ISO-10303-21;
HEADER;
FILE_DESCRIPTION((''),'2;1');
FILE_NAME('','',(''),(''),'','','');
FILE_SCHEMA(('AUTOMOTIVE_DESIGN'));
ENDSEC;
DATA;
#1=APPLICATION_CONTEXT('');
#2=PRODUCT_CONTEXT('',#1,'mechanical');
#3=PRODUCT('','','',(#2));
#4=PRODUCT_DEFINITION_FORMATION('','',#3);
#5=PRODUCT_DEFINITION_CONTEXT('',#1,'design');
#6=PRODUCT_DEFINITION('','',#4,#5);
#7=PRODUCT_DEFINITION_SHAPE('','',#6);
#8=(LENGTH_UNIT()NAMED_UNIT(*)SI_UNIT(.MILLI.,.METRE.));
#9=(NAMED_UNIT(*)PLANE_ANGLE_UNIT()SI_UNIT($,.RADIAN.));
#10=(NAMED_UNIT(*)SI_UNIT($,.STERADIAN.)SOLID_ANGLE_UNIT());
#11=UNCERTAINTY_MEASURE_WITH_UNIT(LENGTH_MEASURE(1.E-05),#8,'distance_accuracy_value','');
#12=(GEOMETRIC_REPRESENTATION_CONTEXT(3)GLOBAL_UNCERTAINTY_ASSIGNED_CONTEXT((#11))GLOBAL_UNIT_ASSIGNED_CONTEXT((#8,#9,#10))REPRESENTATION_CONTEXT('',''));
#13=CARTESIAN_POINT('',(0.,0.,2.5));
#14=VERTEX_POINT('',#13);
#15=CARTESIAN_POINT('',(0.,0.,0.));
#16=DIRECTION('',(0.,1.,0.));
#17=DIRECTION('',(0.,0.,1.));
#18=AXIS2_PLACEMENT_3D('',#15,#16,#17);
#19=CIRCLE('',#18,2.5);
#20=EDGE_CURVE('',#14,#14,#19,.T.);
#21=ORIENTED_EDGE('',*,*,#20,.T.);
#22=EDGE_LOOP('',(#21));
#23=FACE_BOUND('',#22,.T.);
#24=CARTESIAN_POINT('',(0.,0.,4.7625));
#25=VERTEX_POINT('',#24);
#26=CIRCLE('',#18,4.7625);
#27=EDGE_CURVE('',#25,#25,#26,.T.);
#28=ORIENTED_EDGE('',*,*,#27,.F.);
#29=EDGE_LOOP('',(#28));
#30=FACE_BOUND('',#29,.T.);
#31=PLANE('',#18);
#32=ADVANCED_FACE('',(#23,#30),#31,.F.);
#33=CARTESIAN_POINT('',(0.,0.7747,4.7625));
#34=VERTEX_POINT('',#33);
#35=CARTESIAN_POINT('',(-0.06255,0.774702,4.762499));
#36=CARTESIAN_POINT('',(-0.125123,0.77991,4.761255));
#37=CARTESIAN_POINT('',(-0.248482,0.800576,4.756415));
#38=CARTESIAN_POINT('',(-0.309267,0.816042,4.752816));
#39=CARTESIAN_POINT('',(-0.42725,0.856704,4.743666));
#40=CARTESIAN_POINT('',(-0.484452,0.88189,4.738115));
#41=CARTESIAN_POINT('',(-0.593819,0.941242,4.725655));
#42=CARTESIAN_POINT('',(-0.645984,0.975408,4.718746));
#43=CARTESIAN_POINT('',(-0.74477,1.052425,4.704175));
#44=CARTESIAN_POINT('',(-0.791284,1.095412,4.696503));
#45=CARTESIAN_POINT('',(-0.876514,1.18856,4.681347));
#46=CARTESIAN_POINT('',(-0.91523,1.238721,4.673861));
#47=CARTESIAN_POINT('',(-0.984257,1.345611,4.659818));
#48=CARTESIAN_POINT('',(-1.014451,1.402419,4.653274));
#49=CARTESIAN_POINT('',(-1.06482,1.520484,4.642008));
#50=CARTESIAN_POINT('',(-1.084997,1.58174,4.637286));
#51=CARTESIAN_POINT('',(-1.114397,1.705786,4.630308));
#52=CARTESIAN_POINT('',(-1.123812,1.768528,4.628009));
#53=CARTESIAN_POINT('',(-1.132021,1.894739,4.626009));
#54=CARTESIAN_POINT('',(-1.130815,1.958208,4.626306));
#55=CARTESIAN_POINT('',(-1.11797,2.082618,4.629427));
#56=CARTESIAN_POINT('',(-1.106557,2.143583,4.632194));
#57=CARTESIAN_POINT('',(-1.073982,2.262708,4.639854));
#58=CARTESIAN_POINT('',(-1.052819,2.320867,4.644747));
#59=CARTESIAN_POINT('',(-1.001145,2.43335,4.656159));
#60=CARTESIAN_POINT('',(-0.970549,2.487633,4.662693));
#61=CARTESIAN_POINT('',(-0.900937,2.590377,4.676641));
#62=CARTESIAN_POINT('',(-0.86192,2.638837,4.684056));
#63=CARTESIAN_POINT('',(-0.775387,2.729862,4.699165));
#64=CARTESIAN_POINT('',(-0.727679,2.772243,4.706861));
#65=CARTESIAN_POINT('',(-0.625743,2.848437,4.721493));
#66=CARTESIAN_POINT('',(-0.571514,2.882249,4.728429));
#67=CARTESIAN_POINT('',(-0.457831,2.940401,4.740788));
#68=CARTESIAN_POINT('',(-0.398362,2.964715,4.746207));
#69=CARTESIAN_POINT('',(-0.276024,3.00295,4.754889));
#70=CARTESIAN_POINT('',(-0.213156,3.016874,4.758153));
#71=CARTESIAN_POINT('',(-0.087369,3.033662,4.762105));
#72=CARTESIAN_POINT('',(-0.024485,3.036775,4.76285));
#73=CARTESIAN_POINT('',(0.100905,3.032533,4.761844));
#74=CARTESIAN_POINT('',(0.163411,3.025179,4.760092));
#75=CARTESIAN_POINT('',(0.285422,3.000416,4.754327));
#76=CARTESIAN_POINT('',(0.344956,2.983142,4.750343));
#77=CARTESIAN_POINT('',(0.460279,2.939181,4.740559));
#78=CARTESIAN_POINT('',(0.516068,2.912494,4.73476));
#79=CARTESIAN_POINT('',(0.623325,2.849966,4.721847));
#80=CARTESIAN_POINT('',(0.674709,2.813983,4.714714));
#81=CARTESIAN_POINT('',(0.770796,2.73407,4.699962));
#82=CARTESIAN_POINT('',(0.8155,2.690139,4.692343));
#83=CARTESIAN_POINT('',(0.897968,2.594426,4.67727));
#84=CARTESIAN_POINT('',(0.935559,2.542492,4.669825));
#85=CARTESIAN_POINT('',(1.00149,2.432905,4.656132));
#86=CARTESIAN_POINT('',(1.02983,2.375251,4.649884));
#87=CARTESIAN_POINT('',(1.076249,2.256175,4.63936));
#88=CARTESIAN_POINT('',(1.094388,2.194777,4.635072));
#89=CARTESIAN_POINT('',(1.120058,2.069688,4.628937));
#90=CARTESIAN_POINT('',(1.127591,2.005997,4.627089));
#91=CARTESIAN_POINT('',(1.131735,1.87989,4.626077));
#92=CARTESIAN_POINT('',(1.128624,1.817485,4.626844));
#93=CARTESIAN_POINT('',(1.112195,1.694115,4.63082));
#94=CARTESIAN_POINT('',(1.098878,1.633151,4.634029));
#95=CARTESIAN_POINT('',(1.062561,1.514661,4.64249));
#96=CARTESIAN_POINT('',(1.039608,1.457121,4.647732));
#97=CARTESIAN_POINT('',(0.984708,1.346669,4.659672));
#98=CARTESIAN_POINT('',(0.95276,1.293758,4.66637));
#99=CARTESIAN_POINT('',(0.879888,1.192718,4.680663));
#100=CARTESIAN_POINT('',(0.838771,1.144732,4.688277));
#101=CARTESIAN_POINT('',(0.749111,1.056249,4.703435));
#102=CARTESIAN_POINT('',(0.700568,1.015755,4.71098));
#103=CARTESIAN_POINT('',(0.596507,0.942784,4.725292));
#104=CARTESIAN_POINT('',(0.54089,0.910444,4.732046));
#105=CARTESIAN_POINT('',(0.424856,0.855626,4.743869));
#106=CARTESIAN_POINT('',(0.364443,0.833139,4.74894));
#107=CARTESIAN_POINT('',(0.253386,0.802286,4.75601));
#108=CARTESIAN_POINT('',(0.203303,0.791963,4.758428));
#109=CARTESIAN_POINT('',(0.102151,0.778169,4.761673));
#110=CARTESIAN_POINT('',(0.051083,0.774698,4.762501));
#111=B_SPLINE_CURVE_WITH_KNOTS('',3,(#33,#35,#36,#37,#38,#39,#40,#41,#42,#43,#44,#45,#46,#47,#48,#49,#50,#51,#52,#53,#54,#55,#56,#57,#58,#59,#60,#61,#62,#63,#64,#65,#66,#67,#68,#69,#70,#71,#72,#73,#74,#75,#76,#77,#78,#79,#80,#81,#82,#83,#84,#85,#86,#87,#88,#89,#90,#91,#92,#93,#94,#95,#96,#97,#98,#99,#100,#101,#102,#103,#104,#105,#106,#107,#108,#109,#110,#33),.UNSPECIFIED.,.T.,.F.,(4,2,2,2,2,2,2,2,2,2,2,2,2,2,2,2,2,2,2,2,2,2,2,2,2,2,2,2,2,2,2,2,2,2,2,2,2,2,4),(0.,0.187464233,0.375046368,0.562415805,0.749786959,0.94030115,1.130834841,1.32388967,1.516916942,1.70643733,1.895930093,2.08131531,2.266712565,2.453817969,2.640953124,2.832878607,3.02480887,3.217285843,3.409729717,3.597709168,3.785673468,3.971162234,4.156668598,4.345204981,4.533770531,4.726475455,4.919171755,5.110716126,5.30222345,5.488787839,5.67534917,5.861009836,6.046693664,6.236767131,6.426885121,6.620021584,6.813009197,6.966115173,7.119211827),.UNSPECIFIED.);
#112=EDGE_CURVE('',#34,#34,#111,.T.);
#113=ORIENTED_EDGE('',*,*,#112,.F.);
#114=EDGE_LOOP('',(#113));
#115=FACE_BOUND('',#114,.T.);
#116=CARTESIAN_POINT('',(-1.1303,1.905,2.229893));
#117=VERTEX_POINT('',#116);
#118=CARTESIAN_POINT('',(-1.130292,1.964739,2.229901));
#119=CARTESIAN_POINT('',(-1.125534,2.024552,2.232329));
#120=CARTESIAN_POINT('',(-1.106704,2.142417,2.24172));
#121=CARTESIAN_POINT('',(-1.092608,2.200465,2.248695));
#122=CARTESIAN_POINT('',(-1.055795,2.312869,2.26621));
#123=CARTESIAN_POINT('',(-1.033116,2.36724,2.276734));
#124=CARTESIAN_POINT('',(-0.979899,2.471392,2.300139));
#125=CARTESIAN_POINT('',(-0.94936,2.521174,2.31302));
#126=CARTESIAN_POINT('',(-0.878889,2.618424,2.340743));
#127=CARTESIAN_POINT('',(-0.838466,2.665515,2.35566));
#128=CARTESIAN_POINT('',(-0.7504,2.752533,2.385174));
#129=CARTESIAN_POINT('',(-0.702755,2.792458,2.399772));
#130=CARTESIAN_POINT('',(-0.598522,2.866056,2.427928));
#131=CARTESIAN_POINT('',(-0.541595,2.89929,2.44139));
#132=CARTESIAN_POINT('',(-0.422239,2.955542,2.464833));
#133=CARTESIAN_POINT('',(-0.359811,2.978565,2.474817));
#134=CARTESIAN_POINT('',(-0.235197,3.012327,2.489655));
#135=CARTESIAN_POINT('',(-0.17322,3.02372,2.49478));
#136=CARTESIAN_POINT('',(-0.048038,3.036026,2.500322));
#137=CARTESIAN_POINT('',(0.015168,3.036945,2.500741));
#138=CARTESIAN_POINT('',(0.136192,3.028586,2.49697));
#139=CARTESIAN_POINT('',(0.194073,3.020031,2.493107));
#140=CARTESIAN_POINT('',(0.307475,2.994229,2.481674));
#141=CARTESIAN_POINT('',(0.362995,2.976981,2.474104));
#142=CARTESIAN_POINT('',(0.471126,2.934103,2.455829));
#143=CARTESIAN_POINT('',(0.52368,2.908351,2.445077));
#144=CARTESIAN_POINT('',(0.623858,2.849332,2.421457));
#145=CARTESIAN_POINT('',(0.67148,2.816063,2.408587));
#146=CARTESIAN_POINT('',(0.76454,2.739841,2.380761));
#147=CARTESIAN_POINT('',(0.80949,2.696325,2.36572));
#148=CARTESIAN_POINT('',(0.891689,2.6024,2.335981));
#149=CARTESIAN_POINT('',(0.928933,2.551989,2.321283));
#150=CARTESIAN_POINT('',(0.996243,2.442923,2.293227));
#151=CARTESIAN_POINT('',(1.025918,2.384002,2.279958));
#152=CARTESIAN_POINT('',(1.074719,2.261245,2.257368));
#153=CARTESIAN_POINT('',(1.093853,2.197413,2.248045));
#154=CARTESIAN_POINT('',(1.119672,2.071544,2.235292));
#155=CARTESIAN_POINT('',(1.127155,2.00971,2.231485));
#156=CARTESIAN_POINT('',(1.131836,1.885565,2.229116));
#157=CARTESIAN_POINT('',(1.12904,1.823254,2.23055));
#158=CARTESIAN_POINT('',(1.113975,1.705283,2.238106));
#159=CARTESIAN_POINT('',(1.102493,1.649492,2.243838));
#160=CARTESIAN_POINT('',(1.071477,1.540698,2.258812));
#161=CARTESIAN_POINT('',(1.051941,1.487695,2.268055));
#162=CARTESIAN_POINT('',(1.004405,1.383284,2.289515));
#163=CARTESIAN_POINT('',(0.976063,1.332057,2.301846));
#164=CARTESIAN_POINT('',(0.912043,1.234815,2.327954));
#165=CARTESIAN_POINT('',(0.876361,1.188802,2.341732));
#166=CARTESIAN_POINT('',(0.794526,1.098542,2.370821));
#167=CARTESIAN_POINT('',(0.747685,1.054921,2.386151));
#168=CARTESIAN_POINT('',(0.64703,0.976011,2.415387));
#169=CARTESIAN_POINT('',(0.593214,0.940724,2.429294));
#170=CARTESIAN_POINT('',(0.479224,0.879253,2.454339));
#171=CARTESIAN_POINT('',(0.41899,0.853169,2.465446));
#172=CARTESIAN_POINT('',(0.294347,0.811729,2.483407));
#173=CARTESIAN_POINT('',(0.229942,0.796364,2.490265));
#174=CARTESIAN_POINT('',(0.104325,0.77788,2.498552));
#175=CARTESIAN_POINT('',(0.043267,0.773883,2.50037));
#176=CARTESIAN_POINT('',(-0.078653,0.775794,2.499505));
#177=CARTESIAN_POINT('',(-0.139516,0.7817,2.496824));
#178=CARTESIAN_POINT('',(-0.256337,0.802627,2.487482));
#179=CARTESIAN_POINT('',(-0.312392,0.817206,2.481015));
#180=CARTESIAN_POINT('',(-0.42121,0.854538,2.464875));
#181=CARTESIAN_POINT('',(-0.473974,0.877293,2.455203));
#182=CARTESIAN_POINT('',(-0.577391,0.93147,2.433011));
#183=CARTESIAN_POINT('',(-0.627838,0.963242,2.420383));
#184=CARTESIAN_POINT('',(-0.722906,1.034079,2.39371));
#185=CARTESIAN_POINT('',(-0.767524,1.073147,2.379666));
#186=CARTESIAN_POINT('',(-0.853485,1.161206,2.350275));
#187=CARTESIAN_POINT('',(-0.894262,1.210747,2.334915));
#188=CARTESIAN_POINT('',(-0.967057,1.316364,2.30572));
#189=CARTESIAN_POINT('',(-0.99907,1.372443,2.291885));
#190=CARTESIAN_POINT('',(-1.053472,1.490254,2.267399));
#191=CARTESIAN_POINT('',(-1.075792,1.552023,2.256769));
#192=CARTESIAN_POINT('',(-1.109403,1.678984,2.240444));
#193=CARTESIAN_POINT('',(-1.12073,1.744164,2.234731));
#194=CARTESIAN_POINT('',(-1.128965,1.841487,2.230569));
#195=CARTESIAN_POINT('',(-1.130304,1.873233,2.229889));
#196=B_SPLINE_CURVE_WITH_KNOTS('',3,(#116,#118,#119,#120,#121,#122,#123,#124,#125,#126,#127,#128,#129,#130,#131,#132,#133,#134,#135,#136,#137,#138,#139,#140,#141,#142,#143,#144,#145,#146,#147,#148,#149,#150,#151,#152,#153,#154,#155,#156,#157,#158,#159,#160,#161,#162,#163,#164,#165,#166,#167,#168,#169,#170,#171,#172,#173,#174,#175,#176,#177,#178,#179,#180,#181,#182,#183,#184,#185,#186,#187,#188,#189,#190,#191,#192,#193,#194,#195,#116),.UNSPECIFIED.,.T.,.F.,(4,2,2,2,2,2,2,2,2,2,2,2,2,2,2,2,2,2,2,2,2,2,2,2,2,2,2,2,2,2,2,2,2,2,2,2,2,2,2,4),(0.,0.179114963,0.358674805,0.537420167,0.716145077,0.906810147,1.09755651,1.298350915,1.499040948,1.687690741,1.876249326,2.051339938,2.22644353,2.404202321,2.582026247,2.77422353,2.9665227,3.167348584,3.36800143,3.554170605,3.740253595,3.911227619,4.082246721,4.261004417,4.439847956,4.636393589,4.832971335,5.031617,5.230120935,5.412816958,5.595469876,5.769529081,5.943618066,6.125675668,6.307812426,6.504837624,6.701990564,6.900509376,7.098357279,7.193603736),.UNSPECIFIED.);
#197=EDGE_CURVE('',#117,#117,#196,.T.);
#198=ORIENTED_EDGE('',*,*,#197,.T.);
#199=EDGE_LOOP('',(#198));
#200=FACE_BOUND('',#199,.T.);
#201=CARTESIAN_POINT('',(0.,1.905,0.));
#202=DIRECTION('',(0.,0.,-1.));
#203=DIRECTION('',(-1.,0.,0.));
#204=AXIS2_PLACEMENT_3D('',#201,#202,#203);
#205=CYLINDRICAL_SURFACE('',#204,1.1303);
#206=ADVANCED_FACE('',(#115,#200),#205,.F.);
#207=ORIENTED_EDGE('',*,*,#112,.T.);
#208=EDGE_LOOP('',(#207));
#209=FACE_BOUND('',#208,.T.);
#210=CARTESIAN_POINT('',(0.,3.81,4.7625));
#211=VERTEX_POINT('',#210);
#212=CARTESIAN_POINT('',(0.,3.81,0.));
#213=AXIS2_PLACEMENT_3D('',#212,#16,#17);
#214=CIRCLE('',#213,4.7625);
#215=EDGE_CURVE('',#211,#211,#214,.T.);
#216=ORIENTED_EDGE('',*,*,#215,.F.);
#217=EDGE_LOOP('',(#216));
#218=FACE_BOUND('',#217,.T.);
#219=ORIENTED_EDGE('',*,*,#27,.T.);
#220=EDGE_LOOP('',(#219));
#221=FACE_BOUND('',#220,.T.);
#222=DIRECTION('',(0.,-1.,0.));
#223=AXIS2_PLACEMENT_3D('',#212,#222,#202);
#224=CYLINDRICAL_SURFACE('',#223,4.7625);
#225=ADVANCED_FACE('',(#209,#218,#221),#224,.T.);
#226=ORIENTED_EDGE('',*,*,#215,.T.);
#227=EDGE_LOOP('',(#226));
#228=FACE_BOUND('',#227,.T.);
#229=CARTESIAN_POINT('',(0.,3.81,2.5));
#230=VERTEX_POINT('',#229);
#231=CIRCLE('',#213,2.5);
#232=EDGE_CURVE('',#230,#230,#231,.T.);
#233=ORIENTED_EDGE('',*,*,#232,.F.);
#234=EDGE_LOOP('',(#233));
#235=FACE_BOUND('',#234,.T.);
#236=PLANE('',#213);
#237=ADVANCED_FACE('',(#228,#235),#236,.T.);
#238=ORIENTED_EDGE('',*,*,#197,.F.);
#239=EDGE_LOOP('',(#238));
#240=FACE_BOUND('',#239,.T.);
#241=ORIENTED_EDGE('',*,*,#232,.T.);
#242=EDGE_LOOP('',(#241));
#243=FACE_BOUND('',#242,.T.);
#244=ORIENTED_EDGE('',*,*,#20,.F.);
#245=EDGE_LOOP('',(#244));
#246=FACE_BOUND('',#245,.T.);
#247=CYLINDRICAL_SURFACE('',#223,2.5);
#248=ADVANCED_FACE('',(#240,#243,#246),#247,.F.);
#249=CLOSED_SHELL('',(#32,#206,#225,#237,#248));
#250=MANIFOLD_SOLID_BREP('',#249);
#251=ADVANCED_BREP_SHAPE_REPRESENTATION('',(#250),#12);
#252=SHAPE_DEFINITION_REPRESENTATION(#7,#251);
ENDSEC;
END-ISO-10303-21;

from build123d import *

# Parameters (mm, degrees)
SKETCH1_R           = 4.7625
SKETCH1_R_2         = 2.5
BOSS_EXTRUDE1_DEPTH = 3.81
SKETCH3_W           = 1.1303
SKETCH3_H           = 4.7625


with BuildPart() as part:
    # Sketch1 → Boss-Extrude1 (new body)
    with BuildSketch(Plane(origin=(0, 0, 0), x_dir=(1, 0, 0), z_dir=(0, 1, 0))):
        with Locations(Location((0, 0, 0), (0, 0, 90))):
            Circle(SKETCH1_R)
        with Locations(Location((0, 0, 0), (0, 0, 90))):
            Circle(SKETCH1_R_2, mode=Mode.SUBTRACT)
    extrude(amount=BOSS_EXTRUDE1_DEPTH)

    # Sketch3 → #4-40 Tapped Hole1 (revolve, cut)
    with BuildSketch(Plane(origin=(0, 1.905, 0), x_dir=(0, 1, 0), z_dir=(1, 0, 0))):
        with Locations((0.56515, 2.38125)):
            Rectangle(SKETCH3_W, SKETCH3_H)
    revolve(axis=Axis((0, 1.905, -6.35), (0, 0, 1)), mode=Mode.SUBTRACT)


solid = part.part
